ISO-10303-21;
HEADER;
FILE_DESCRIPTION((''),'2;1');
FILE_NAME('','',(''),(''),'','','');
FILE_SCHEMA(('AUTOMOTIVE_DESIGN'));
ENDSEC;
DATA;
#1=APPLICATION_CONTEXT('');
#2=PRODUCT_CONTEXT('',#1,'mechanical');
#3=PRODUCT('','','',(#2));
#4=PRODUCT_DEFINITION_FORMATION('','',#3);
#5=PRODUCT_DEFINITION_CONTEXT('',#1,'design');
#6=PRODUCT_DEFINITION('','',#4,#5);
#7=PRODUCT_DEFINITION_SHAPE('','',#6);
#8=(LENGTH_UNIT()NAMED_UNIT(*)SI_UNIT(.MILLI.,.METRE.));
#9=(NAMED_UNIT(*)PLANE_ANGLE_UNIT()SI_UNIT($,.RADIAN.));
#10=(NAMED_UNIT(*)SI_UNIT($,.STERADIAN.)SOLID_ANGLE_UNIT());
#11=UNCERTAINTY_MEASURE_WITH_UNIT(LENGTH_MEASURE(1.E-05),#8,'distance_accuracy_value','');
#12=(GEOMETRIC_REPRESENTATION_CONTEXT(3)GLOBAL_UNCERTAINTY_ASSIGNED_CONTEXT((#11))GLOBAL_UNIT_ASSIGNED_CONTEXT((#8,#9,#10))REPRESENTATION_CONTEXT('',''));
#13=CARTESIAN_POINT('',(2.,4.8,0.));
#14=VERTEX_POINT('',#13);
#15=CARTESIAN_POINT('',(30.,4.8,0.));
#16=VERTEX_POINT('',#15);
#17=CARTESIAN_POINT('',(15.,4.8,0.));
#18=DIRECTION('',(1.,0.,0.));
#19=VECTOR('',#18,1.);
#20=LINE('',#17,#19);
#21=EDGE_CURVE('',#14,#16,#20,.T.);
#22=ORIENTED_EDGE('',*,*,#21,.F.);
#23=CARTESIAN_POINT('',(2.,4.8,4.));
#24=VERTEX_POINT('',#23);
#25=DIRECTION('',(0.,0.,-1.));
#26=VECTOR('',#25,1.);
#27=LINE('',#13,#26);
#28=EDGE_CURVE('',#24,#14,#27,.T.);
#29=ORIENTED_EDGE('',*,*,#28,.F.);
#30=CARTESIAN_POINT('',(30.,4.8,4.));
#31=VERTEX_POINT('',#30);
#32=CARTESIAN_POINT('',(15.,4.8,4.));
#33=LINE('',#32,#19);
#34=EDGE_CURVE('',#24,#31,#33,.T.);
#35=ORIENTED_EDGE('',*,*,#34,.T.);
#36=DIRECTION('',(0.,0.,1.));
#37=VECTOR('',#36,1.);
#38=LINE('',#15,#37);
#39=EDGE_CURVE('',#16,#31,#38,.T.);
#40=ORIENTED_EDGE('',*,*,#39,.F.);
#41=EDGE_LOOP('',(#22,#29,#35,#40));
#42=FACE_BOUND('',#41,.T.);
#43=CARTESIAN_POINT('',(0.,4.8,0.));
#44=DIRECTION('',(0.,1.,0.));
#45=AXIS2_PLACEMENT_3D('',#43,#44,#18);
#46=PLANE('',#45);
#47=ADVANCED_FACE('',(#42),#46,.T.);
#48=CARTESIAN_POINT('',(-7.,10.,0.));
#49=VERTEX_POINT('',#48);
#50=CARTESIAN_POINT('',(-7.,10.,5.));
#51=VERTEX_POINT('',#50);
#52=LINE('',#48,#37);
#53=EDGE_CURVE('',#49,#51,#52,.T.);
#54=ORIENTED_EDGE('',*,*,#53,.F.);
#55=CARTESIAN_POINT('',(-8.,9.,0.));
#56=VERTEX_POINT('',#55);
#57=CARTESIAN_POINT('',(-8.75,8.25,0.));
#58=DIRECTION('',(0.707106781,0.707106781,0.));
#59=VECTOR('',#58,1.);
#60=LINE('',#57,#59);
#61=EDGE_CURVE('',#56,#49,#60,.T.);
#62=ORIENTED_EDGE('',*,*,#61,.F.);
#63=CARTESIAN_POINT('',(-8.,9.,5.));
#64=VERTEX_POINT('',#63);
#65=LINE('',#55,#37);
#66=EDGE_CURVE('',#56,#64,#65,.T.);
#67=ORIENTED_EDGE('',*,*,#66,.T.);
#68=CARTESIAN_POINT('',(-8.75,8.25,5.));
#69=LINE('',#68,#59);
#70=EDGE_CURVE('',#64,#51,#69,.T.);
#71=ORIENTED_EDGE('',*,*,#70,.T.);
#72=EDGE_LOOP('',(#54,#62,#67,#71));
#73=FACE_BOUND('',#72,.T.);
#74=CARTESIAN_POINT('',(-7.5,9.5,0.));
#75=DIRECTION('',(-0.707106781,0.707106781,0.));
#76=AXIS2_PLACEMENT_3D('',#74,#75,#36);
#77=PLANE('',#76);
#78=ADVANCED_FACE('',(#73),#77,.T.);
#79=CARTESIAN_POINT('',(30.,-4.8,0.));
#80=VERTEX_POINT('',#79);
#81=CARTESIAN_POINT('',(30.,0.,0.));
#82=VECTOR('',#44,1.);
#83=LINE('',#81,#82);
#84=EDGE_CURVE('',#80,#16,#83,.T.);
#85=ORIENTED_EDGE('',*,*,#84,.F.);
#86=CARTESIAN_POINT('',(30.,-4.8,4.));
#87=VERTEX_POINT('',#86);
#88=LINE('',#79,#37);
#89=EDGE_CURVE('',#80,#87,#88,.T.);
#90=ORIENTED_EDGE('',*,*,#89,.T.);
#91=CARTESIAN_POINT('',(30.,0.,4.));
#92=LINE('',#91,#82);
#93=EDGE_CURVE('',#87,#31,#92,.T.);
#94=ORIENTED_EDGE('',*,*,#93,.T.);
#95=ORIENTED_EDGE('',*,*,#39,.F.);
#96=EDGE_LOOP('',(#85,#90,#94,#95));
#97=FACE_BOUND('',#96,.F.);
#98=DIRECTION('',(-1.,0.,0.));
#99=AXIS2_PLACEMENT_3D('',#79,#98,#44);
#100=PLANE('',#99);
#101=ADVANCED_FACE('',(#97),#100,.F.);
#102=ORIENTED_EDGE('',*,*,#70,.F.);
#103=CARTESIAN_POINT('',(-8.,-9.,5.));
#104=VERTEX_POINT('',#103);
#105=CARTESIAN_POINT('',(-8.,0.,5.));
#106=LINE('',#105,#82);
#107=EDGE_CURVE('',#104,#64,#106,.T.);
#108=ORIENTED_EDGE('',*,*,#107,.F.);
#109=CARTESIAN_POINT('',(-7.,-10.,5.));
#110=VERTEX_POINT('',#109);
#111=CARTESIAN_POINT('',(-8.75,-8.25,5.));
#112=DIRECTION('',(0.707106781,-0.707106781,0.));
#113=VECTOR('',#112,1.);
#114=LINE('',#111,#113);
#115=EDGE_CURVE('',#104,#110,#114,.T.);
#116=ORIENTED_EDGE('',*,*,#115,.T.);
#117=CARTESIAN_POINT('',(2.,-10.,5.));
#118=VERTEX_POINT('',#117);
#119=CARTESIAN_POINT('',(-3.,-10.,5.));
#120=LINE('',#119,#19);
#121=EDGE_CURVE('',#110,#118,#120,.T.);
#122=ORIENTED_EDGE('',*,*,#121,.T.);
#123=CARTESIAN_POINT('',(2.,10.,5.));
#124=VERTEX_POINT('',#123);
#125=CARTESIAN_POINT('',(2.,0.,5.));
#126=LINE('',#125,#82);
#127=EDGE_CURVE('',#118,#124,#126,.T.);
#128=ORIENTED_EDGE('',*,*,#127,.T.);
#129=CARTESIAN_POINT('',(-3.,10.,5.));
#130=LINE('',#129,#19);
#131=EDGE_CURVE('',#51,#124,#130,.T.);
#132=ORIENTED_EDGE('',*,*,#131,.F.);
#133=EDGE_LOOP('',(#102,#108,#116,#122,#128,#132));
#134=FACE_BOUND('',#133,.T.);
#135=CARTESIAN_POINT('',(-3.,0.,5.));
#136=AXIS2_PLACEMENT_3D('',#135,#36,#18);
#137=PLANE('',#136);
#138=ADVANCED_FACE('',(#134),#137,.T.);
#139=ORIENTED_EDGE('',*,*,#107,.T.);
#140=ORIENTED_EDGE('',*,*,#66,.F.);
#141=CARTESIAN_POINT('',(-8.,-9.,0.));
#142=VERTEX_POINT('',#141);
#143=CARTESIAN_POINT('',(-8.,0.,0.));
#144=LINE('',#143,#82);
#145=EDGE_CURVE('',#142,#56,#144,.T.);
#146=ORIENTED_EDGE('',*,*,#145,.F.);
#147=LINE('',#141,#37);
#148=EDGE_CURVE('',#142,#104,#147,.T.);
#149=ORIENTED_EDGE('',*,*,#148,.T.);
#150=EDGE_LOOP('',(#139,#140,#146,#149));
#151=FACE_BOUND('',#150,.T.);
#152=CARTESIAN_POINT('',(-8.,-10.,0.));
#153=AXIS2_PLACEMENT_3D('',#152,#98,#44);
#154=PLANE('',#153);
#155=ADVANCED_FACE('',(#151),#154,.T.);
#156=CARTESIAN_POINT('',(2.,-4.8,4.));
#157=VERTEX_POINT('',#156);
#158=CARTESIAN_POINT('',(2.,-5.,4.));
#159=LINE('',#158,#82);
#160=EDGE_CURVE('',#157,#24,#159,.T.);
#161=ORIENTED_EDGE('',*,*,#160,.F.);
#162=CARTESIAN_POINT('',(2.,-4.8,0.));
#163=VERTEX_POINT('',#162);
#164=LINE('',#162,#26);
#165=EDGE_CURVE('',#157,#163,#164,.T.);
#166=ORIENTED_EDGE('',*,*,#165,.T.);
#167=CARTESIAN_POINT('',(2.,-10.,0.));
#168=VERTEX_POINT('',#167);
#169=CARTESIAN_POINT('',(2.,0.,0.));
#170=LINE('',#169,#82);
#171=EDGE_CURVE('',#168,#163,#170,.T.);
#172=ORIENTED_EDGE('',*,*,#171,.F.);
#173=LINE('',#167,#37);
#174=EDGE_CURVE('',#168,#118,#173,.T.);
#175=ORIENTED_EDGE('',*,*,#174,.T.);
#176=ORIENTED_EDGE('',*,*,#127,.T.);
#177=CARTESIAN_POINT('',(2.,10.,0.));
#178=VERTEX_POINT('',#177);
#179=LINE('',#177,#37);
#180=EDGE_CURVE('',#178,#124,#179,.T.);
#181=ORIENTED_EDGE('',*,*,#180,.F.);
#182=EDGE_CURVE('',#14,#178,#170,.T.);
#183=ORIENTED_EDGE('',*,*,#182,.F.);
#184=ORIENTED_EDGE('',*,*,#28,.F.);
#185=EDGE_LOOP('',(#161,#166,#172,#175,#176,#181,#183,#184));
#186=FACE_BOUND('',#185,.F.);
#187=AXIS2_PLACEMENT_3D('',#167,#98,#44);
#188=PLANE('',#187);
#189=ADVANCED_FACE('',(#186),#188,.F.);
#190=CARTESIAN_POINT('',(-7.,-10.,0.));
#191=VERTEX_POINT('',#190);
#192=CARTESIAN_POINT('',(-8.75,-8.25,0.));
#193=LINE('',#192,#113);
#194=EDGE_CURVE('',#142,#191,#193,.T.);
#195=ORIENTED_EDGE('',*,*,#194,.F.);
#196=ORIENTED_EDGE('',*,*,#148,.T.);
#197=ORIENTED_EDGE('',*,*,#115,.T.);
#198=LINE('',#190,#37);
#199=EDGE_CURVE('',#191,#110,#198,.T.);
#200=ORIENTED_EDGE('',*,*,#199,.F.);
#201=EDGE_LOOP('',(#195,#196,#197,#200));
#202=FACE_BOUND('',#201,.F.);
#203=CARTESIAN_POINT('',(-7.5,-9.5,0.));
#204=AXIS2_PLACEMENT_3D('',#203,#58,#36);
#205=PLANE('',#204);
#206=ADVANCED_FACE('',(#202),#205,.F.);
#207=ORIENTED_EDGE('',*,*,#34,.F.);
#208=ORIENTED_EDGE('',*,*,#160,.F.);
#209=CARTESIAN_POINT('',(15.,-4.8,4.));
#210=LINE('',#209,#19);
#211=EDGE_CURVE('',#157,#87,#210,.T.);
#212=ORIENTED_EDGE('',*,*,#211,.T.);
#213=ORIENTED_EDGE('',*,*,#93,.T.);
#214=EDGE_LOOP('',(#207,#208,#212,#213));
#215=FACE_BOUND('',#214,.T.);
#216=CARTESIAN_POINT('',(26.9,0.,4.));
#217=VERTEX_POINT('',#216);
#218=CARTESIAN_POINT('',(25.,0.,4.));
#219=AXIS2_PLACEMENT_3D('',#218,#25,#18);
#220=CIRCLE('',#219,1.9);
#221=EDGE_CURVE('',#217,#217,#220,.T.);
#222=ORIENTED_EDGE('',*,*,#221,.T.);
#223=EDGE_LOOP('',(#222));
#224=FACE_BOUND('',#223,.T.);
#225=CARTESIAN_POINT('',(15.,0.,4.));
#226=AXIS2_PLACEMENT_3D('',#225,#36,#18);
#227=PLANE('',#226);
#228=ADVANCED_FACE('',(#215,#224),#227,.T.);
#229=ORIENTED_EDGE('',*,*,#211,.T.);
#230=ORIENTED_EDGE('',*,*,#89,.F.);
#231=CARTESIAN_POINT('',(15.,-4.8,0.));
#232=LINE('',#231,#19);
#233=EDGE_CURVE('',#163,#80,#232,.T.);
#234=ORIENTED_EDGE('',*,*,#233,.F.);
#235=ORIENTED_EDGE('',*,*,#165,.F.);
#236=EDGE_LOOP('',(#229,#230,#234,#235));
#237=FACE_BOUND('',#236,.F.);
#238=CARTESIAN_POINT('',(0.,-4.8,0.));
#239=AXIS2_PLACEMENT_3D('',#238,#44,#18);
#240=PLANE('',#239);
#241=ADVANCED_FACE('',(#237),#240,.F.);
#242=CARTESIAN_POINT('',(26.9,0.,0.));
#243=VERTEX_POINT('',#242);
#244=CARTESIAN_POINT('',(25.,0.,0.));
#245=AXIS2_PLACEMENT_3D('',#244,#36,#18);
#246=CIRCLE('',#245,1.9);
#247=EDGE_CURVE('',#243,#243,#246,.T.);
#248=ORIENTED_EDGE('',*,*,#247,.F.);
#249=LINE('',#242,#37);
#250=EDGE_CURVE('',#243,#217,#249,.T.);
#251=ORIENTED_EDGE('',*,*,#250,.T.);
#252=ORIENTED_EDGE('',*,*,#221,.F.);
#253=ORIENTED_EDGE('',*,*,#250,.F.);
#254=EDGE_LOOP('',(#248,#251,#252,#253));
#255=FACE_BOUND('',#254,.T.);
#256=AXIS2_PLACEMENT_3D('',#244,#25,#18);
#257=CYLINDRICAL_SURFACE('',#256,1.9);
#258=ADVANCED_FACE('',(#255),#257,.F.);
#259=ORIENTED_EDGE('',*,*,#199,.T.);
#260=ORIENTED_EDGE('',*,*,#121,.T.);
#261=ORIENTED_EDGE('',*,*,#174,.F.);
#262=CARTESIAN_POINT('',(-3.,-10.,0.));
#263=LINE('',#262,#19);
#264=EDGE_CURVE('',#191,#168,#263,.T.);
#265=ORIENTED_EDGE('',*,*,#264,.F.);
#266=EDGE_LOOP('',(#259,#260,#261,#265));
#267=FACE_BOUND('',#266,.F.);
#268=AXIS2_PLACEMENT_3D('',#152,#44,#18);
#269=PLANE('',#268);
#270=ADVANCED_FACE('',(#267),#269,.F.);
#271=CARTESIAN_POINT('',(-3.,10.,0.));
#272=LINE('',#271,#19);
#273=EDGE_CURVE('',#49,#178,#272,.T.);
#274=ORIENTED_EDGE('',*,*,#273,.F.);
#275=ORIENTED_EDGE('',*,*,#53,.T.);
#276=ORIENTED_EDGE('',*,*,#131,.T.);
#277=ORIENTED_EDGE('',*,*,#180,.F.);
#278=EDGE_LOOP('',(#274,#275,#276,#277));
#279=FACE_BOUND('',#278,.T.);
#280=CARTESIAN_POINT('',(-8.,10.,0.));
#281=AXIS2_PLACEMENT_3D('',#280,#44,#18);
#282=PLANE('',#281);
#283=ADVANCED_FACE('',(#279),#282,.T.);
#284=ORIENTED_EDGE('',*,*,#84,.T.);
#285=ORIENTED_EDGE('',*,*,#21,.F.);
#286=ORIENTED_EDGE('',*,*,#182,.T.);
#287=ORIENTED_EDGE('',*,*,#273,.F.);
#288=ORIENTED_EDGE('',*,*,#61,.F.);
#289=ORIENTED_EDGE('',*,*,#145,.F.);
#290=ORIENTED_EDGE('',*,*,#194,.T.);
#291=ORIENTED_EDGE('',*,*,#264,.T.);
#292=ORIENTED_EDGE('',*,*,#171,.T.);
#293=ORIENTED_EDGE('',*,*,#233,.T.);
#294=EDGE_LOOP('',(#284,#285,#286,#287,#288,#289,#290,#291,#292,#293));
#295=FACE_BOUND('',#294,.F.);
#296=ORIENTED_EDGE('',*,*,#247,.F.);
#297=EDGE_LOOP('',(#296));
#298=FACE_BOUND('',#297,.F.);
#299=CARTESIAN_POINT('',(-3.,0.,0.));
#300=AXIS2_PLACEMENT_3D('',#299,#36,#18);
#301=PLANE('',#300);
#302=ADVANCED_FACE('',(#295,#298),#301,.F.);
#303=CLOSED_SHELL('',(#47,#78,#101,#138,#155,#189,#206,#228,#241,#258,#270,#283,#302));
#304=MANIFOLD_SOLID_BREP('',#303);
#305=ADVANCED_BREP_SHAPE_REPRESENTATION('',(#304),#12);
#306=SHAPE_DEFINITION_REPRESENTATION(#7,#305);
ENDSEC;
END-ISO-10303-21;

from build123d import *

# Parameters (mm, degrees)
CYLINDER025_R     = 1.9
CYLINDER025_DEPTH = 5
BOX018_W          = 30
BOX018_H          = 9.6
BOX018_DEPTH      = 4
BOX019_W          = 10
BOX019_H          = 20
BOX019_DEPTH      = 5
CHAMFER009_SIZE   = 1


with BuildPart() as cylinder025:
    # Cylinder025 → Cylinder025 (new body)
    with BuildSketch(Plane(origin=(25, 0, 0), x_dir=(1, 0, 0), z_dir=(0, 0, 1))):
        Circle(CYLINDER025_R)
    extrude(amount=CYLINDER025_DEPTH)


with BuildPart() as cut002008023012009006003002006_body:
    # Box018 → Box018 (new body)
    with BuildSketch(Plane(origin=(0, -4.8, 0), x_dir=(1, 0, 0), z_dir=(0, 0, 1))):
        with Locations((15, 4.8)):
            Rectangle(BOX018_W, BOX018_H)
    extrude(amount=BOX018_DEPTH)

    # Cut002008023012009006003002006002006002004004002: cut Cylinder025
    add(cylinder025.part, mode=Mode.SUBTRACT)


with BuildPart() as fusion001001001011002004:
    # Box019 → Box019 (new body)
    with BuildSketch(Plane(origin=(-8, -10, 0), x_dir=(1, 0, 0), z_dir=(0, 0, 1))):
        with Locations((5, 10)):
            Rectangle(BOX019_W, BOX019_H)
    extrude(amount=BOX019_DEPTH)

    # Chamfer009
    chamfer009_edges = [fusion001001001011002004.edges().sort_by_distance(p)[0] for p in [
        (-8, -10, 2.5),
        (-8, 10, 2.5),
    ]]
    chamfer(chamfer009_edges, length=CHAMFER009_SIZE)

    # Fusion001001001011002004: union Cut002008023012009006003002006 body
    add(cut002008023012009006003002006_body.part)


solid = fusion001001001011002004.part
